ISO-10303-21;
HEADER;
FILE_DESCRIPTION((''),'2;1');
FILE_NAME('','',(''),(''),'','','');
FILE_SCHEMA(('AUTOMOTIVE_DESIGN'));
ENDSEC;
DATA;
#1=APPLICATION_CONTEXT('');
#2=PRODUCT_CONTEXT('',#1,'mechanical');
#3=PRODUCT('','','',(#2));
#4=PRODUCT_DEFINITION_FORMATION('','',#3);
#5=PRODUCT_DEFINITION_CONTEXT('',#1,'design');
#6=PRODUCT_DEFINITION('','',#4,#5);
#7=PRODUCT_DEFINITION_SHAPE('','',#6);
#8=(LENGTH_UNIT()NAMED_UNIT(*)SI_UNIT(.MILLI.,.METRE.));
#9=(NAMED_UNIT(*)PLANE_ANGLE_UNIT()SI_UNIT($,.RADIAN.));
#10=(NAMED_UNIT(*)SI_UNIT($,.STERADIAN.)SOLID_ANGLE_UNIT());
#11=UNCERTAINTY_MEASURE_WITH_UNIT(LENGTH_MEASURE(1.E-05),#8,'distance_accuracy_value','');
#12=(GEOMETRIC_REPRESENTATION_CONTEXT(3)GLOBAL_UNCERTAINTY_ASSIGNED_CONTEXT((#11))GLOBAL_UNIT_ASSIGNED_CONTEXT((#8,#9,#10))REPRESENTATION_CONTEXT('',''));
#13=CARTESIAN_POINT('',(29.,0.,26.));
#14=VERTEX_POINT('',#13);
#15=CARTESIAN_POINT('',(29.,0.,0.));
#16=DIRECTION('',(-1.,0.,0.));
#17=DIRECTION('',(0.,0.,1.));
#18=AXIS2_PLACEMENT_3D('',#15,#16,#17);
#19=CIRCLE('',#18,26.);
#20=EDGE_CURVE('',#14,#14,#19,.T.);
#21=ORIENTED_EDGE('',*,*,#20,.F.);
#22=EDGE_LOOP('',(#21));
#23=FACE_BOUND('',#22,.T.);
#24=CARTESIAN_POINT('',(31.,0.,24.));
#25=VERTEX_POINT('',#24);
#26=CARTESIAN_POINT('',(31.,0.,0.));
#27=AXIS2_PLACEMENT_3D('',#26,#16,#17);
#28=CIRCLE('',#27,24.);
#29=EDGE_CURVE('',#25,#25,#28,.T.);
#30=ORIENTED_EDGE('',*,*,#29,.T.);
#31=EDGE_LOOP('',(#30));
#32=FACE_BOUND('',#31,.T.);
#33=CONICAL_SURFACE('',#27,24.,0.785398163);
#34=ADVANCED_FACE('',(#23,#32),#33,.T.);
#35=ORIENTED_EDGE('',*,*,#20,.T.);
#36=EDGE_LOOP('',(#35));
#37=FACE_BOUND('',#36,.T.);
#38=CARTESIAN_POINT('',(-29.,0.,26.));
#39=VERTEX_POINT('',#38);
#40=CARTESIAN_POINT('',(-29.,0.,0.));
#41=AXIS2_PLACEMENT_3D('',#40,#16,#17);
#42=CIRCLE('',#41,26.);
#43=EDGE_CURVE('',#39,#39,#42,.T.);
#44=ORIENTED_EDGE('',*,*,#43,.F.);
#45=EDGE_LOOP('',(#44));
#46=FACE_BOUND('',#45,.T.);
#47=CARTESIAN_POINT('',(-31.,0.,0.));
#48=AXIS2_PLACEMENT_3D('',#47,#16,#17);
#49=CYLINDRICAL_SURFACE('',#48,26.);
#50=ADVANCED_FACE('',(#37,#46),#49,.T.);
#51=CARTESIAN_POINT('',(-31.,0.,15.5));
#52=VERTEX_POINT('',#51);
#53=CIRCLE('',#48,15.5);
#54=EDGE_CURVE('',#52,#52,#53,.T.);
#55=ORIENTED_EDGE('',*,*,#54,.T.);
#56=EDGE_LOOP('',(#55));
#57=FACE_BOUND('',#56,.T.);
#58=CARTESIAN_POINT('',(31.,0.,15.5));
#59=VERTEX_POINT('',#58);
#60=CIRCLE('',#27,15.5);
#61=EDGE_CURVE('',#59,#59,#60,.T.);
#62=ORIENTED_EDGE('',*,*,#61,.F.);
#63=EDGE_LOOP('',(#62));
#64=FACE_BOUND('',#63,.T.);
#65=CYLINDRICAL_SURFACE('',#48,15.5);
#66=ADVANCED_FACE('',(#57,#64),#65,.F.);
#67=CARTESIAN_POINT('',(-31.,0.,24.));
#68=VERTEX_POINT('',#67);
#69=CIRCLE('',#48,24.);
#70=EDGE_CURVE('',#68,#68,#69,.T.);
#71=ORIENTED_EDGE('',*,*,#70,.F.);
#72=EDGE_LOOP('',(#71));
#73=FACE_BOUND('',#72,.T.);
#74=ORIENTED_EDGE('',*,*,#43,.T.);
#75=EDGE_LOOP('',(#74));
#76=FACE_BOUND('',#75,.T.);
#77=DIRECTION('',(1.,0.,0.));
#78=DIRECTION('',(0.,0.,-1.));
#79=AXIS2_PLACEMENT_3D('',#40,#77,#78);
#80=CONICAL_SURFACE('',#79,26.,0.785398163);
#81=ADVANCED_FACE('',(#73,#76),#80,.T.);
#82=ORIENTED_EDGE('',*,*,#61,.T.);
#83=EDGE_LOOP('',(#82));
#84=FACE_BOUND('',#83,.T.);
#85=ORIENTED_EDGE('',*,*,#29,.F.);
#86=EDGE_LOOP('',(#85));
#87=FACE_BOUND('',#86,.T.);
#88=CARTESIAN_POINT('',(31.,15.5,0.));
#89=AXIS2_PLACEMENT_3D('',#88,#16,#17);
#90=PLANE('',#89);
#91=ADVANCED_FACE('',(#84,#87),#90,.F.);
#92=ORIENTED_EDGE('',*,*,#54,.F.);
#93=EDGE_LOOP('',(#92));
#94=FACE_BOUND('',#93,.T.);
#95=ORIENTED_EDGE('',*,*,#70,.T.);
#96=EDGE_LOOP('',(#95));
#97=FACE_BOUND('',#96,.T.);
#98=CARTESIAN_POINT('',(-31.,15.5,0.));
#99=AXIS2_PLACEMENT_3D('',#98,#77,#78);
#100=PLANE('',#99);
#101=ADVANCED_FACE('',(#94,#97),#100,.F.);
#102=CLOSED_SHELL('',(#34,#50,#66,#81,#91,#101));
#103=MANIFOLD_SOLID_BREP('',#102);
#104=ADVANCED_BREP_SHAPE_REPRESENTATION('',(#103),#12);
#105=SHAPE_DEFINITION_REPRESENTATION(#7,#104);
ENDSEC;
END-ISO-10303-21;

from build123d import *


with BuildPart() as part:
    # Esboço1 → Revolução1 (revolve)
    with BuildSketch(Plane.XY, mode=Mode.PRIVATE) as revolu_o1_sk:
        Polygon((-31, 24), (-29, 26), (29, 26), (31, 24), (31, 15.5), (-31, 15.5), align=None)
    revolve(revolu_o1_sk.sketch.rotate(Axis((-31, 0, 0), (1, 0, 0)), 90), axis=Axis((-31, 0, 0), (1, 0, 0)))


solid = part.part
